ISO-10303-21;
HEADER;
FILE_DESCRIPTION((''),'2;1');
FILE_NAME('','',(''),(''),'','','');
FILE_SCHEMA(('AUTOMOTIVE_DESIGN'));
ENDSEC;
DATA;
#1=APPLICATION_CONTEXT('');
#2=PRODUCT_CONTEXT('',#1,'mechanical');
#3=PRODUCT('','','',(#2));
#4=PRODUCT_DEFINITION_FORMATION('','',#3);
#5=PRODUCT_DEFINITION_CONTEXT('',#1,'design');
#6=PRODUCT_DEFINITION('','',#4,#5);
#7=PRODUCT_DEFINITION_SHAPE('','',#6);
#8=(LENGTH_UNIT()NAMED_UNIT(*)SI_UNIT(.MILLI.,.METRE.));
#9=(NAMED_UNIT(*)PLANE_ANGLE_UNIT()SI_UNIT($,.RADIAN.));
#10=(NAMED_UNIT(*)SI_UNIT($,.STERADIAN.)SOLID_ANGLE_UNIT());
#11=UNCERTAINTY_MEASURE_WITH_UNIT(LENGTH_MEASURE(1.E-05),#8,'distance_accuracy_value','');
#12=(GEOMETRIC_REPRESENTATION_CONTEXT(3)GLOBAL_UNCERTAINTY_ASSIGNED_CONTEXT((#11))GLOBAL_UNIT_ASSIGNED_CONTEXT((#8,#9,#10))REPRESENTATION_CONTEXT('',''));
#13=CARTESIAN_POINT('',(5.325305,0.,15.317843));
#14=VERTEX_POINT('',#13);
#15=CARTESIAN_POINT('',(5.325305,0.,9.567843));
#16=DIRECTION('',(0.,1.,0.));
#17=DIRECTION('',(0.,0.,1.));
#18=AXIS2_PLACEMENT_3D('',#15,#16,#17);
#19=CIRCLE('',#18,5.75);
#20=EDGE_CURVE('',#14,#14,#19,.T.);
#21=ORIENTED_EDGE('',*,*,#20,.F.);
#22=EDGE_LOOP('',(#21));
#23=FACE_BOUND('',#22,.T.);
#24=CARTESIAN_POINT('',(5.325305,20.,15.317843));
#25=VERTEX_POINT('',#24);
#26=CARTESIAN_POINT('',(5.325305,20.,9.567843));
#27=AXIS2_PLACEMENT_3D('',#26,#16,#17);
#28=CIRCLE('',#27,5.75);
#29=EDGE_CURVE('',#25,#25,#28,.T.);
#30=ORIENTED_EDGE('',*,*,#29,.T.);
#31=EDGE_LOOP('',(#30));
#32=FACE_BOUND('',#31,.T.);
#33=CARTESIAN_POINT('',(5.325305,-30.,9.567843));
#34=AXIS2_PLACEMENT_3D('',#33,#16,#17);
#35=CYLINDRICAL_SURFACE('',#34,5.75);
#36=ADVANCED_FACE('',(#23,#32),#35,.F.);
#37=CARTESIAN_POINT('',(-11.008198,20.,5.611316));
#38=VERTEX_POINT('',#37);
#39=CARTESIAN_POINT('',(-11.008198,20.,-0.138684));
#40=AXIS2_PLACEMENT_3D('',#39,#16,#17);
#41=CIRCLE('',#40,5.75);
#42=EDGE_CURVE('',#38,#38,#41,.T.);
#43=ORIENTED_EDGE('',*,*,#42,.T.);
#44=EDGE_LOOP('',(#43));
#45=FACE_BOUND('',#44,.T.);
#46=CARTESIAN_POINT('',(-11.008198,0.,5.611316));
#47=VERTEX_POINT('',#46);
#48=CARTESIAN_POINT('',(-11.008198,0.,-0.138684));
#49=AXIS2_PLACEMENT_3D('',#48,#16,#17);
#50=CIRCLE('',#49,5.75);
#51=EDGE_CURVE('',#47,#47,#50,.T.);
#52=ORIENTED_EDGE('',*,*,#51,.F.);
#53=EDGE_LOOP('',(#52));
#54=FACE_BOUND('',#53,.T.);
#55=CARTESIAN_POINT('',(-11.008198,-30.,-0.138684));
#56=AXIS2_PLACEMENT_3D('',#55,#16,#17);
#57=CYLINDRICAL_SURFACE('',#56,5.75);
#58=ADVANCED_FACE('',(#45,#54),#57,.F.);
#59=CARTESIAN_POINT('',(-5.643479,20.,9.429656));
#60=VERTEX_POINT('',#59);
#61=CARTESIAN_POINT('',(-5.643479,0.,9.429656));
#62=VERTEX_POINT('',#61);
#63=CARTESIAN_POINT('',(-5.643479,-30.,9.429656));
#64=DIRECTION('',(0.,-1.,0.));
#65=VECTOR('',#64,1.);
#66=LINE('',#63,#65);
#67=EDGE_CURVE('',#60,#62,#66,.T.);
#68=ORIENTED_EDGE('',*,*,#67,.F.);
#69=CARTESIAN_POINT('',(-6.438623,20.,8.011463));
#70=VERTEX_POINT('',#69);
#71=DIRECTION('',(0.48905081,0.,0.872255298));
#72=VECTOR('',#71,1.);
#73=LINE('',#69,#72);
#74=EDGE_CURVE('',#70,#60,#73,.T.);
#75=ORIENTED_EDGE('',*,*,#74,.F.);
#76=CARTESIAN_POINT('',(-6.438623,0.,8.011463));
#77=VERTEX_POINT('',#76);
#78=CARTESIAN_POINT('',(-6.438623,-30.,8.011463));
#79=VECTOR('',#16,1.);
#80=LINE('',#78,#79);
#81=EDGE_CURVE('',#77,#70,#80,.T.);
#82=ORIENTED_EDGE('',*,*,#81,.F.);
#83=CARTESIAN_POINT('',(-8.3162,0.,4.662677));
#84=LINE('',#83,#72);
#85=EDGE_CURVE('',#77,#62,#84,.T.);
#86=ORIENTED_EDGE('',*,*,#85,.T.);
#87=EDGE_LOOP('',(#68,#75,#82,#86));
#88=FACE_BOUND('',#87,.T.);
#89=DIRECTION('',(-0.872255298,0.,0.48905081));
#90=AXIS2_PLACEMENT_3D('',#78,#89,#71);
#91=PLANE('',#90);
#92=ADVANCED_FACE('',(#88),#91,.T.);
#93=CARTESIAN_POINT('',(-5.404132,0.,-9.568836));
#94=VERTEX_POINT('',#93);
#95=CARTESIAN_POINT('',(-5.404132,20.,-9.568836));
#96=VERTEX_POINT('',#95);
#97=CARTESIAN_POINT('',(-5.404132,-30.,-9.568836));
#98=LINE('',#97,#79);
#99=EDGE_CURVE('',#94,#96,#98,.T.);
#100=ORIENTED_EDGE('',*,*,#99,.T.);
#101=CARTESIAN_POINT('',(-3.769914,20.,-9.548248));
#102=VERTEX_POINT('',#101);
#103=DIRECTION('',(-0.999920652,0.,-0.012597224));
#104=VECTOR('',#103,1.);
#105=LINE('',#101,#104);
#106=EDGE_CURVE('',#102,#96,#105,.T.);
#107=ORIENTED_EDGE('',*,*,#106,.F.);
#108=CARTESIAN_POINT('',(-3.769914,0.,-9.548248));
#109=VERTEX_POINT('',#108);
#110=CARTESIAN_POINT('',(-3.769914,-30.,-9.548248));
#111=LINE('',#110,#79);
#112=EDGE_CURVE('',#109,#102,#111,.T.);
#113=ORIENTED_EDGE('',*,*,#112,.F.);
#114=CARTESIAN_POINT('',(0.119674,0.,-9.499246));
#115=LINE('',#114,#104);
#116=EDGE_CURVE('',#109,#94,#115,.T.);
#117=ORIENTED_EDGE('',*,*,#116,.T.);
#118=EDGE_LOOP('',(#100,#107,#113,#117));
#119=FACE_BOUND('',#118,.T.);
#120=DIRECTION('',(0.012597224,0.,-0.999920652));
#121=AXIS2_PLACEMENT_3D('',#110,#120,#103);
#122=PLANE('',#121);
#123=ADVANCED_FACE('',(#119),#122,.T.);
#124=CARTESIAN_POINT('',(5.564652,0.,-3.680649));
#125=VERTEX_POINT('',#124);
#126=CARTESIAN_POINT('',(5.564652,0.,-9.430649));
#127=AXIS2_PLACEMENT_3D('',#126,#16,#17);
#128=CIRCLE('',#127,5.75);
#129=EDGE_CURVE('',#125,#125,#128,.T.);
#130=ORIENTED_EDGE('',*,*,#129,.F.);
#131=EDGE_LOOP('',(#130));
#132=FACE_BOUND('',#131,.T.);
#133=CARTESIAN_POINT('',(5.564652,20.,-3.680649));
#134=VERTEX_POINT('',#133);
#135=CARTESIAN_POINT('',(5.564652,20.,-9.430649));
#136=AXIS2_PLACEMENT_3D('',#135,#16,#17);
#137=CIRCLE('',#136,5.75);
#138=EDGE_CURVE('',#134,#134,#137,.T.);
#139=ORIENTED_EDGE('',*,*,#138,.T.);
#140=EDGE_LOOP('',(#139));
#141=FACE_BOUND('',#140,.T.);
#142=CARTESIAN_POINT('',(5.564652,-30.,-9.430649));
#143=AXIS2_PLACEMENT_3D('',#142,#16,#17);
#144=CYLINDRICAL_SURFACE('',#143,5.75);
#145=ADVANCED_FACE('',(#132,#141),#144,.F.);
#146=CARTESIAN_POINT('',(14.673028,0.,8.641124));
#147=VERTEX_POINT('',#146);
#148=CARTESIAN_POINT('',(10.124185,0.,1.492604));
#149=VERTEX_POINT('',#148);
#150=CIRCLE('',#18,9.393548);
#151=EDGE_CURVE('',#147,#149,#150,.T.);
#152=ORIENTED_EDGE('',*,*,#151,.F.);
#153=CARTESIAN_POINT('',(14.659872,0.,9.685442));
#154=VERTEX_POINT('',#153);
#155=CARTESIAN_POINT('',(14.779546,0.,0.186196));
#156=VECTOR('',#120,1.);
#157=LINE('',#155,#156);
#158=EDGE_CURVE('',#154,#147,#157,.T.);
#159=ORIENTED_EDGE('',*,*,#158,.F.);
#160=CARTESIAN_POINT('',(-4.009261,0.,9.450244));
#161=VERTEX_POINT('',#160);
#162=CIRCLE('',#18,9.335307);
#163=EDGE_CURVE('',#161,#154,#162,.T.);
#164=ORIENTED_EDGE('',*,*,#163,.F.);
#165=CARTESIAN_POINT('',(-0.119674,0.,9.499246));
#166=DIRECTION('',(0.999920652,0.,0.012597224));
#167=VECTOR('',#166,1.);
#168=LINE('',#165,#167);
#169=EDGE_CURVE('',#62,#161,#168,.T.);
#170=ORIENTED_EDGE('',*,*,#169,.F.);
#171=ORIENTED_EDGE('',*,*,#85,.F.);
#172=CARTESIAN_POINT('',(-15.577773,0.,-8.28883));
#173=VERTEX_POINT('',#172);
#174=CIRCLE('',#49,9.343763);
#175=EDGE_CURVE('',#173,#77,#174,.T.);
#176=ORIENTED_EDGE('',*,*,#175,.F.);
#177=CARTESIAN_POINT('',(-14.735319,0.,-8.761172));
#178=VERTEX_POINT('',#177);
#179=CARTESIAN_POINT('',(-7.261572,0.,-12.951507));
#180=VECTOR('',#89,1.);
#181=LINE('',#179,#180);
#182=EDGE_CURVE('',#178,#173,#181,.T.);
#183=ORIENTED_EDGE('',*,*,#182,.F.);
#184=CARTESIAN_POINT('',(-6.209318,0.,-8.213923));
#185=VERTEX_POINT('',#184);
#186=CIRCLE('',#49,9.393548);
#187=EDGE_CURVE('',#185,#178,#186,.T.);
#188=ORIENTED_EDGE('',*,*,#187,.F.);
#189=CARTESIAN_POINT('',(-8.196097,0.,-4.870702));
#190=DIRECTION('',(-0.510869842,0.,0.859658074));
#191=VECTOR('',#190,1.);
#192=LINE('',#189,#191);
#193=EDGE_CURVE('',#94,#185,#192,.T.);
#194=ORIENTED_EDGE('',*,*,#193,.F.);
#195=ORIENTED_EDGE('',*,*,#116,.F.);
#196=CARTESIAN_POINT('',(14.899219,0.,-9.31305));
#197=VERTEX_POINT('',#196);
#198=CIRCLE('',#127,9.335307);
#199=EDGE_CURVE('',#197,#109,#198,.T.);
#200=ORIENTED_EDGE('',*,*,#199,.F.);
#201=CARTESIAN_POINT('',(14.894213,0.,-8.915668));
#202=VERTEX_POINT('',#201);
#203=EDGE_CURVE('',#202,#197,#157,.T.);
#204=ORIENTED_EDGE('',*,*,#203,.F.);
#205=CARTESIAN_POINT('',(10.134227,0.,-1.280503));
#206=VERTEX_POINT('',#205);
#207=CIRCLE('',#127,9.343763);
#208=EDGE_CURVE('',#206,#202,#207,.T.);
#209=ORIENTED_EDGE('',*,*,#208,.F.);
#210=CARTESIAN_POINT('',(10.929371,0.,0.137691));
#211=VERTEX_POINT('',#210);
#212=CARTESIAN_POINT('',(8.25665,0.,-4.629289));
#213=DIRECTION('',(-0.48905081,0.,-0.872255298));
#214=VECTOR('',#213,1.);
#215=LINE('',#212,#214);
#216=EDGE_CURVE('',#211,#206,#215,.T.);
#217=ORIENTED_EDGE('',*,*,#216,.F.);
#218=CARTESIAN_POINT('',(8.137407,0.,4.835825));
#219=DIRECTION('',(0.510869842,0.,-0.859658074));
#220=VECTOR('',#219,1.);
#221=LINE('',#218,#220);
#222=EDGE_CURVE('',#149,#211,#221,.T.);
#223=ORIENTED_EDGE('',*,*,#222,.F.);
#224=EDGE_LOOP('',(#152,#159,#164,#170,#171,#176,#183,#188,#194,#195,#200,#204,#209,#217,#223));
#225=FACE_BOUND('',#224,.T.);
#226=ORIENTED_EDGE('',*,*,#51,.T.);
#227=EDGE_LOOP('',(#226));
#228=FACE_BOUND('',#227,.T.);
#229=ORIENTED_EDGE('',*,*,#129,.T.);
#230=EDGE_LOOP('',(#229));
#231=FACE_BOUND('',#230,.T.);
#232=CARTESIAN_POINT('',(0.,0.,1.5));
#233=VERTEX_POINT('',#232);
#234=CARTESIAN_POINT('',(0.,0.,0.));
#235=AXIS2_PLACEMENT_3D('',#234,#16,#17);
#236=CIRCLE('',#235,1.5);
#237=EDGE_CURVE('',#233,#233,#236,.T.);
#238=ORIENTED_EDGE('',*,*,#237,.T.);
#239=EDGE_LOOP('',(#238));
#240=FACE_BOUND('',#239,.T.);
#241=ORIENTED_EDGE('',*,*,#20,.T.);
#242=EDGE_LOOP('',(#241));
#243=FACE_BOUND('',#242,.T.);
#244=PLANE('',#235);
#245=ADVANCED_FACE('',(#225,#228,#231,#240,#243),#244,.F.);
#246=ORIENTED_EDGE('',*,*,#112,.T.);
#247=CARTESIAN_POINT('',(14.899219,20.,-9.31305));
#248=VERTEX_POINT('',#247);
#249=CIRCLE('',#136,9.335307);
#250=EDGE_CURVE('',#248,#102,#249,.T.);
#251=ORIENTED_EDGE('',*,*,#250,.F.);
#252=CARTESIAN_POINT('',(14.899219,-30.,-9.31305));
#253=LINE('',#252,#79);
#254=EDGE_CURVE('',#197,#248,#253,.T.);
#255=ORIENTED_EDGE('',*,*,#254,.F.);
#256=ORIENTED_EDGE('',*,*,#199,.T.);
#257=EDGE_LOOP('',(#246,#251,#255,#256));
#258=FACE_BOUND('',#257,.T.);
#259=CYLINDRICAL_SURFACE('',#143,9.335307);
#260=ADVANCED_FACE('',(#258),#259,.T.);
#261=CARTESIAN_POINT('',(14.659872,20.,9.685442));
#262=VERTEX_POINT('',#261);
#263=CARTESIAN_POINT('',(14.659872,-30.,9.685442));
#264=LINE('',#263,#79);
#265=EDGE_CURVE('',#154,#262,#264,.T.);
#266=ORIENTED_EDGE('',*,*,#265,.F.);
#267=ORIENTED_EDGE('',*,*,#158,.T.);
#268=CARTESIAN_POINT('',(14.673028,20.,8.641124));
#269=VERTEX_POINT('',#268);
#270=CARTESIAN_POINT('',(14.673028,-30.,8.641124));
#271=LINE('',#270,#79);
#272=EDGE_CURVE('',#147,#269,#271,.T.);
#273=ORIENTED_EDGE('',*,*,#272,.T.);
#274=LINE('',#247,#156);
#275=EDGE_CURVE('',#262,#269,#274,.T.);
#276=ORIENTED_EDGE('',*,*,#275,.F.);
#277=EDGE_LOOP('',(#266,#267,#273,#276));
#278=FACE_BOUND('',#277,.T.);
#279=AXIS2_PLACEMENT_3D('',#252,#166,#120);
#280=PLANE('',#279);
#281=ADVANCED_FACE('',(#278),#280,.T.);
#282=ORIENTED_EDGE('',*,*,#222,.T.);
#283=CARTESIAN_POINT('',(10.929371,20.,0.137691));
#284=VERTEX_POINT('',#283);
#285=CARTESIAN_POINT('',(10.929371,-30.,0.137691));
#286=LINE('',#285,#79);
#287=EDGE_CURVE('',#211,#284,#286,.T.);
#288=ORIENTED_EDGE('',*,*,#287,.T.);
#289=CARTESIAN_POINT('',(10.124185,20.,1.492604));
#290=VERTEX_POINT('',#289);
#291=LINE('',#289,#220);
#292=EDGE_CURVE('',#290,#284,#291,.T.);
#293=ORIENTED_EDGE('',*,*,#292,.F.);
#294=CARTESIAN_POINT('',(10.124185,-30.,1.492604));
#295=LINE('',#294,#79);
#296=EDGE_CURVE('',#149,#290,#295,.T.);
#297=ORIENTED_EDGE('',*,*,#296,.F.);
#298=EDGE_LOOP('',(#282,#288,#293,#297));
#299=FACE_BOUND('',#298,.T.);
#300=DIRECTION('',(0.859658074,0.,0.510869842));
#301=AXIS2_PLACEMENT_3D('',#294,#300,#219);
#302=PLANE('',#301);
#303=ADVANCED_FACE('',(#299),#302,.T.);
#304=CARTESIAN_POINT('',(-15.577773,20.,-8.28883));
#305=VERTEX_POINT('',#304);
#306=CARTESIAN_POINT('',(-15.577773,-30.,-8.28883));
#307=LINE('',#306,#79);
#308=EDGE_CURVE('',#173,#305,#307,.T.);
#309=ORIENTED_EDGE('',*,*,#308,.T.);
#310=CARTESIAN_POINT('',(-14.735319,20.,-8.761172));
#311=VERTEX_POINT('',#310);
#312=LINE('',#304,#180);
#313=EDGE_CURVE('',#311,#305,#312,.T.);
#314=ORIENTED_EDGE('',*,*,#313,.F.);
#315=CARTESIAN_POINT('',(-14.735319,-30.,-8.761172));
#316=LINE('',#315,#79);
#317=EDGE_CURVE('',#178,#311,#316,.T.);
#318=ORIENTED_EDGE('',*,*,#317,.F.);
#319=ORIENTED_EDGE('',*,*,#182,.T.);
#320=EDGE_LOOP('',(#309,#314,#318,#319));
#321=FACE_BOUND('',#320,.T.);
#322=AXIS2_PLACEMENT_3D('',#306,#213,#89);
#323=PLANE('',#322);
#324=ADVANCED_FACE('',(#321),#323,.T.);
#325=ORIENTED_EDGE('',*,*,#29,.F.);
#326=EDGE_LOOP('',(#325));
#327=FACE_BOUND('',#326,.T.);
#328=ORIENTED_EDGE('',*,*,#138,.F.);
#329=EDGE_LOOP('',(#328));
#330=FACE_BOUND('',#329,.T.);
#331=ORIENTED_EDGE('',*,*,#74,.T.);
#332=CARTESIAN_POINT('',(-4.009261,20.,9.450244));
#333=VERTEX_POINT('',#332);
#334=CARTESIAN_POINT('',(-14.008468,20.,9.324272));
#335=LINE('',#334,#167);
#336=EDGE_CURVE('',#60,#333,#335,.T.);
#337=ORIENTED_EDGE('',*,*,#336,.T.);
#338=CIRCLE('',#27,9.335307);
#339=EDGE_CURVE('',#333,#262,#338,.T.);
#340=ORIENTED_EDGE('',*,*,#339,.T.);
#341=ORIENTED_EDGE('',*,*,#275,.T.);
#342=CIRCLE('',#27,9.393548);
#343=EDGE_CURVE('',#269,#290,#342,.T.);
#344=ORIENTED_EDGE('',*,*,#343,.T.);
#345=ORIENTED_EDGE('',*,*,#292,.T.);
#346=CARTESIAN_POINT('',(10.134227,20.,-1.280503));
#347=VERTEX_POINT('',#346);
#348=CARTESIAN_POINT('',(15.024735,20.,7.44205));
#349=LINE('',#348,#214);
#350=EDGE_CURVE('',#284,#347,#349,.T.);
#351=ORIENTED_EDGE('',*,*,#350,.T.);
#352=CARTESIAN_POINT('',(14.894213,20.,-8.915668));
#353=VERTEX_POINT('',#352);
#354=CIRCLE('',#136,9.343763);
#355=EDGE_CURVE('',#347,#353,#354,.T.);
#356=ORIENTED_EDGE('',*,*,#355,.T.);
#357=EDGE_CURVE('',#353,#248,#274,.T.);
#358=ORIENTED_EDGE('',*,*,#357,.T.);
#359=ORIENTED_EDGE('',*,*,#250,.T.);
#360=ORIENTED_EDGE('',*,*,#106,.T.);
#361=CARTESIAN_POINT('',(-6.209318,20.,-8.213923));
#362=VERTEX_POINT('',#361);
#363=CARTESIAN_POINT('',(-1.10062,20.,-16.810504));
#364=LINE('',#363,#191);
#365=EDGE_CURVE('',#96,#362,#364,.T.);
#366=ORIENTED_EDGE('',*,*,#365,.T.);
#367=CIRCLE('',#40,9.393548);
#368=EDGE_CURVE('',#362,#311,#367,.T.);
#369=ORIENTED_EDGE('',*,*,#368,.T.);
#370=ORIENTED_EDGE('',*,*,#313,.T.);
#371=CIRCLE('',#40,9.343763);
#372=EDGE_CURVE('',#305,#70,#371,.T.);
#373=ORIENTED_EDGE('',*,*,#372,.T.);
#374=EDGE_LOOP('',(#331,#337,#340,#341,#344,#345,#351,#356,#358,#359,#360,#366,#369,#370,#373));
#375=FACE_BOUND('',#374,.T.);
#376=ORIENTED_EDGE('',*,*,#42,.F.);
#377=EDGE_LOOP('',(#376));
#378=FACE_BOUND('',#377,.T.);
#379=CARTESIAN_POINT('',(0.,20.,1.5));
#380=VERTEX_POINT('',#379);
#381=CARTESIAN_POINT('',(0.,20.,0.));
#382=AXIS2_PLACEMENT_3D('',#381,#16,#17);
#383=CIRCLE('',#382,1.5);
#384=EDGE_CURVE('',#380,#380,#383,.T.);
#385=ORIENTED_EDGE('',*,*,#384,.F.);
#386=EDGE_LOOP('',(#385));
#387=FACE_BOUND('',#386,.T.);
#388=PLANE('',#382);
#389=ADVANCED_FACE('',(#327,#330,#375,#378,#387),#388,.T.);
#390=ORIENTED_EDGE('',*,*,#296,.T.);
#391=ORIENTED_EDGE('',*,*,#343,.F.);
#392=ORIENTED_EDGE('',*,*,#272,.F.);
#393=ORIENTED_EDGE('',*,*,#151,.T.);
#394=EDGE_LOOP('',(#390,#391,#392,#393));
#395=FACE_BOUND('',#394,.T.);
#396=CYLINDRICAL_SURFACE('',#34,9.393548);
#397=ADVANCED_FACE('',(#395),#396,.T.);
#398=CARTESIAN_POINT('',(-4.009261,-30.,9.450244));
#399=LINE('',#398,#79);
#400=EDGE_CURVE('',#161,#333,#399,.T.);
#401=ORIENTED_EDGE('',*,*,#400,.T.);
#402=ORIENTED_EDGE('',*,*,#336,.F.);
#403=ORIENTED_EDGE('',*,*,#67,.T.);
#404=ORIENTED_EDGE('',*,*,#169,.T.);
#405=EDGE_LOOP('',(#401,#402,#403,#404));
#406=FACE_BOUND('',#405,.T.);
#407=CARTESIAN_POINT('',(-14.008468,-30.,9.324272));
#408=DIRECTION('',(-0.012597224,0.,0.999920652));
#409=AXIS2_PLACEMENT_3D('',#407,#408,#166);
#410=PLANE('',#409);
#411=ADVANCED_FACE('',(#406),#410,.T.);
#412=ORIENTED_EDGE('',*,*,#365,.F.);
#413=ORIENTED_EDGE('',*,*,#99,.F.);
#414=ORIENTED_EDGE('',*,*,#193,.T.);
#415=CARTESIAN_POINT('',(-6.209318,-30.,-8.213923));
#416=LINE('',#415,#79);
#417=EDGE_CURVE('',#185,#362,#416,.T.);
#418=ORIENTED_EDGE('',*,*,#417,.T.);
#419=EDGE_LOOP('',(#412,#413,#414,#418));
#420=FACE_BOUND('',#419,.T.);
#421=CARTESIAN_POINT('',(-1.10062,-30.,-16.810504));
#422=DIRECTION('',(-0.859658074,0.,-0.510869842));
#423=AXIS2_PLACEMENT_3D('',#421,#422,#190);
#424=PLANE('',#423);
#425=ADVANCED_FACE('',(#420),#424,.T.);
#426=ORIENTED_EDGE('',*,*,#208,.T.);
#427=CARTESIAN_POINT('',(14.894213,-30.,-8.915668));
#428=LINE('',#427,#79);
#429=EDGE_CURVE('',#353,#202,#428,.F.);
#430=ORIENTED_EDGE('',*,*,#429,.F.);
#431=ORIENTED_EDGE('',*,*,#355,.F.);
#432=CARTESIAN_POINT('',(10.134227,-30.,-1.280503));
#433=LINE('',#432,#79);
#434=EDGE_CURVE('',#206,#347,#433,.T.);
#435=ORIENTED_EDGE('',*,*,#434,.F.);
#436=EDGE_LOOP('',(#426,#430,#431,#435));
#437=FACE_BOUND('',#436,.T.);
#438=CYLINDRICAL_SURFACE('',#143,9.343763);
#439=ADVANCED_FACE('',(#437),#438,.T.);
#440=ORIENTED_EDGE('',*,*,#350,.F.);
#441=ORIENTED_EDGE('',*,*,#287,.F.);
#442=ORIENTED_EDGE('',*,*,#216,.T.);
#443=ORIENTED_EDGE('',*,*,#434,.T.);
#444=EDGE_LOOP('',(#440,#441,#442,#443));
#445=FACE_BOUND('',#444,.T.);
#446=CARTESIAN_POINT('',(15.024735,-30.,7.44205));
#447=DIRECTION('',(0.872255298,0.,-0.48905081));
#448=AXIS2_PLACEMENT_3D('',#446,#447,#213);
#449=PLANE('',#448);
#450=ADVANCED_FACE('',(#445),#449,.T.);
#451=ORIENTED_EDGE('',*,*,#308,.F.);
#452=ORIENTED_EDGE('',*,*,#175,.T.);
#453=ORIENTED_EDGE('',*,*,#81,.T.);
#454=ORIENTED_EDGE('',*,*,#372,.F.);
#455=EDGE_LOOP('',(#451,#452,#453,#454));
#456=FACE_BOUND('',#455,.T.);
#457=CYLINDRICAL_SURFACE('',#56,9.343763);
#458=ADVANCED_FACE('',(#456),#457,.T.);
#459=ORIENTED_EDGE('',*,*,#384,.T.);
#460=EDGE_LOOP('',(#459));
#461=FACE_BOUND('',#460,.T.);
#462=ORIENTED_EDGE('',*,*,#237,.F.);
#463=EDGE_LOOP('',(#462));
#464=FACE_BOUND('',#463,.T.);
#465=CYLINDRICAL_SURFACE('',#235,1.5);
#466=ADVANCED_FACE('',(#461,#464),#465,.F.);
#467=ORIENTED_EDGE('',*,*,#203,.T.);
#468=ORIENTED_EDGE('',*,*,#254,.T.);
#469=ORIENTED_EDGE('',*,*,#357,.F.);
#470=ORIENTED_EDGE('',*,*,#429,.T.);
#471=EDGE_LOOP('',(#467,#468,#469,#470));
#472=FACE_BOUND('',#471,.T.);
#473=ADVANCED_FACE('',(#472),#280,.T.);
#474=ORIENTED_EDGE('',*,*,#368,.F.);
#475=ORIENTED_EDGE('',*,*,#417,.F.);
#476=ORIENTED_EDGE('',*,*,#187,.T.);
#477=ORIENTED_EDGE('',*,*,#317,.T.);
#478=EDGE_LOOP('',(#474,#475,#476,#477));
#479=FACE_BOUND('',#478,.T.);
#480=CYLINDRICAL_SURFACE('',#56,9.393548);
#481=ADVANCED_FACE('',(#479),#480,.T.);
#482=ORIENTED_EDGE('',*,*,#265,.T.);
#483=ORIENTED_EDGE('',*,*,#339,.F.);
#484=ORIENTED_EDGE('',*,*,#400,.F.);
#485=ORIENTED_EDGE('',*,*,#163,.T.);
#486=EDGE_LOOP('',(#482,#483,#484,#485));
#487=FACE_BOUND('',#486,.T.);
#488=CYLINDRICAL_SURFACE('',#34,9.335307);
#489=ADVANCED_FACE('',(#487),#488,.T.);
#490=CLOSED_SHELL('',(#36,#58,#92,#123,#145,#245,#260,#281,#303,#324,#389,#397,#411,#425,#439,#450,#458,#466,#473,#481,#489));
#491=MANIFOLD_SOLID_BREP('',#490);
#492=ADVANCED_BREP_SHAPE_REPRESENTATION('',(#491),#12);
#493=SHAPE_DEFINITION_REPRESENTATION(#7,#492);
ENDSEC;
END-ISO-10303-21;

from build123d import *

# Parameters (mm, degrees)
SKETCH5_R               = 30
BOSS_EXTRUDE1_DEPTH     = 20
SKETCH6_R               = 5.75
CUT_EXTRUDE1_DEPTH      = 50
CUT_EXTRUDE_THIN1_DEPTH = 50
SKETCH11_R              = 1.5
CUT_EXTRUDE2_DEPTH      = 35.227641189


with BuildPart() as part:
    # Sketch5 → Boss-Extrude1 (new body)
    with BuildSketch(Plane(origin=(0, 0, 0), x_dir=(1, 0, 0), z_dir=(0, 1, 0))):
        with Locations(Location((0, 0, 0), (0, 0, 270))):
            Circle(SKETCH5_R)
    extrude(amount=BOSS_EXTRUDE1_DEPTH)

    # Sketch6 → Cut-Extrude1 (cut)
    with BuildSketch(Plane(origin=(0, 20, 0), x_dir=(1, 0, 0), z_dir=(0, 1, 0))):
        with Locations(Location((5.564652455, 9.430649132, 0), (0, 0, 270))):
            Circle(SKETCH6_R)
        with Locations(Location((5.325305202, -9.567843252, 0), (0, 0, 270))):
            Circle(SKETCH6_R)
        with Locations(Location((-11.00819821, 0.138683741, 0), (0, 0, 270))):
            Circle(SKETCH6_R)
    extrude(amount=-CUT_EXTRUDE1_DEPTH, mode=Mode.SUBTRACT)

    # Sketch9 → Cut-Extrude-Thin1 (cut)
    with BuildSketch(Plane(origin=(0, 20, 0), x_dir=(1, 0, 0), z_dir=(0, 1, 0))):
        with BuildLine():
            ThreePointArc((-3.76991423, 9.548248089), (5.682251411, 18.765215817), (14.899219139, 9.313050176))
            Line((14.899219139, 9.313050176), (14.659871887, -9.685442209))
            ThreePointArc((14.659871887, -9.685442209), (5.207706246, -18.902409937), (-4.009261482, -9.450244295))
            Line((-4.009261482, -9.450244295), (-14.008468, -9.324272058))
            ThreePointArc((-14.008468, -9.324272058), (5.081734008, -28.901616455), (24.659078405, -9.811414447))
            Line((24.659078405, -9.811414447), (24.898425657, 9.187077938))
            ThreePointArc((24.898425657, 9.187077938), (5.808223649, 28.764422335), (-13.769120748, 9.674220327))
            Line((-13.769120748, 9.674220327), (-3.76991423, 9.548248089))
        make_face()
        with BuildLine():
            ThreePointArc((10.124185438, -1.49260411), (13.400544345, -14.366723488), (0.526424967, -17.643082394))
            Line((0.526424967, -17.643082394), (-15.807078446, -7.936555401))
            ThreePointArc((-15.807078446, -7.936555401), (-19.083437352, 4.937563977), (-6.209317974, 8.213922883))
            Line((-6.209317974, 8.213922883), (-1.100619557, 16.810503626))
            ThreePointArc((-1.100619557, 16.810503626), (-27.680018096, 10.046262394), (-20.915776863, -16.533136145))
            Line((-20.915776863, -16.533136145), (-4.582273451, -26.239663138))
            ThreePointArc((-4.582273451, -26.239663138), (21.997125088, -19.475421905), (15.232883856, 7.103976633))
            Line((15.232883856, 7.103976633), (10.124185438, -1.49260411))
        make_face()
        with BuildLine():
            ThreePointArc((-6.438623457, -8.011462842), (-19.158344793, -4.430891012), (-15.577772963, 8.288830324))
            Line((-15.577772963, 8.288830324), (0.995077701, 17.580795716))
            ThreePointArc((0.995077701, 17.580795716), (13.714799038, 14.000223886), (10.134227208, 1.280502549))
            Line((10.134227208, 1.280502549), (15.024735309, -7.442050432))
            ThreePointArc((15.024735309, -7.442050432), (22.437352019, 18.890731987), (-3.8954304, 26.303348697))
            Line((-3.8954304, 26.303348697), (-20.468281064, 17.011383305))
            ThreePointArc((-20.468281064, 17.011383305), (-27.880897775, -9.321399113), (-1.548115356, -16.734015824))
            Line((-1.548115356, -16.734015824), (-6.438623457, -8.011462842))
        make_face()
    extrude(amount=-CUT_EXTRUDE_THIN1_DEPTH, mode=Mode.SUBTRACT)


with BuildPart() as cut_extrude_thin1_kept_piece:
    # of the separate pieces the step leaves, the one the design keeps (cut_extrude_thin1_pieces_kept)
    add(part.part.solids().sort_by_distance((-4.009261482, 0, 9.450244295))[0])

    # Sketch11 → Cut-Extrude2 (cut, through all)
    with BuildSketch(Plane(origin=(0, 20, 0), x_dir=(1, 0, 0), z_dir=(0, 1, 0))):
        with Locations(Location((0, 0, 0), (0, 0, 270))):
            Circle(SKETCH11_R)
    extrude(amount=-CUT_EXTRUDE2_DEPTH, mode=Mode.SUBTRACT)


solid = cut_extrude_thin1_kept_piece.part
